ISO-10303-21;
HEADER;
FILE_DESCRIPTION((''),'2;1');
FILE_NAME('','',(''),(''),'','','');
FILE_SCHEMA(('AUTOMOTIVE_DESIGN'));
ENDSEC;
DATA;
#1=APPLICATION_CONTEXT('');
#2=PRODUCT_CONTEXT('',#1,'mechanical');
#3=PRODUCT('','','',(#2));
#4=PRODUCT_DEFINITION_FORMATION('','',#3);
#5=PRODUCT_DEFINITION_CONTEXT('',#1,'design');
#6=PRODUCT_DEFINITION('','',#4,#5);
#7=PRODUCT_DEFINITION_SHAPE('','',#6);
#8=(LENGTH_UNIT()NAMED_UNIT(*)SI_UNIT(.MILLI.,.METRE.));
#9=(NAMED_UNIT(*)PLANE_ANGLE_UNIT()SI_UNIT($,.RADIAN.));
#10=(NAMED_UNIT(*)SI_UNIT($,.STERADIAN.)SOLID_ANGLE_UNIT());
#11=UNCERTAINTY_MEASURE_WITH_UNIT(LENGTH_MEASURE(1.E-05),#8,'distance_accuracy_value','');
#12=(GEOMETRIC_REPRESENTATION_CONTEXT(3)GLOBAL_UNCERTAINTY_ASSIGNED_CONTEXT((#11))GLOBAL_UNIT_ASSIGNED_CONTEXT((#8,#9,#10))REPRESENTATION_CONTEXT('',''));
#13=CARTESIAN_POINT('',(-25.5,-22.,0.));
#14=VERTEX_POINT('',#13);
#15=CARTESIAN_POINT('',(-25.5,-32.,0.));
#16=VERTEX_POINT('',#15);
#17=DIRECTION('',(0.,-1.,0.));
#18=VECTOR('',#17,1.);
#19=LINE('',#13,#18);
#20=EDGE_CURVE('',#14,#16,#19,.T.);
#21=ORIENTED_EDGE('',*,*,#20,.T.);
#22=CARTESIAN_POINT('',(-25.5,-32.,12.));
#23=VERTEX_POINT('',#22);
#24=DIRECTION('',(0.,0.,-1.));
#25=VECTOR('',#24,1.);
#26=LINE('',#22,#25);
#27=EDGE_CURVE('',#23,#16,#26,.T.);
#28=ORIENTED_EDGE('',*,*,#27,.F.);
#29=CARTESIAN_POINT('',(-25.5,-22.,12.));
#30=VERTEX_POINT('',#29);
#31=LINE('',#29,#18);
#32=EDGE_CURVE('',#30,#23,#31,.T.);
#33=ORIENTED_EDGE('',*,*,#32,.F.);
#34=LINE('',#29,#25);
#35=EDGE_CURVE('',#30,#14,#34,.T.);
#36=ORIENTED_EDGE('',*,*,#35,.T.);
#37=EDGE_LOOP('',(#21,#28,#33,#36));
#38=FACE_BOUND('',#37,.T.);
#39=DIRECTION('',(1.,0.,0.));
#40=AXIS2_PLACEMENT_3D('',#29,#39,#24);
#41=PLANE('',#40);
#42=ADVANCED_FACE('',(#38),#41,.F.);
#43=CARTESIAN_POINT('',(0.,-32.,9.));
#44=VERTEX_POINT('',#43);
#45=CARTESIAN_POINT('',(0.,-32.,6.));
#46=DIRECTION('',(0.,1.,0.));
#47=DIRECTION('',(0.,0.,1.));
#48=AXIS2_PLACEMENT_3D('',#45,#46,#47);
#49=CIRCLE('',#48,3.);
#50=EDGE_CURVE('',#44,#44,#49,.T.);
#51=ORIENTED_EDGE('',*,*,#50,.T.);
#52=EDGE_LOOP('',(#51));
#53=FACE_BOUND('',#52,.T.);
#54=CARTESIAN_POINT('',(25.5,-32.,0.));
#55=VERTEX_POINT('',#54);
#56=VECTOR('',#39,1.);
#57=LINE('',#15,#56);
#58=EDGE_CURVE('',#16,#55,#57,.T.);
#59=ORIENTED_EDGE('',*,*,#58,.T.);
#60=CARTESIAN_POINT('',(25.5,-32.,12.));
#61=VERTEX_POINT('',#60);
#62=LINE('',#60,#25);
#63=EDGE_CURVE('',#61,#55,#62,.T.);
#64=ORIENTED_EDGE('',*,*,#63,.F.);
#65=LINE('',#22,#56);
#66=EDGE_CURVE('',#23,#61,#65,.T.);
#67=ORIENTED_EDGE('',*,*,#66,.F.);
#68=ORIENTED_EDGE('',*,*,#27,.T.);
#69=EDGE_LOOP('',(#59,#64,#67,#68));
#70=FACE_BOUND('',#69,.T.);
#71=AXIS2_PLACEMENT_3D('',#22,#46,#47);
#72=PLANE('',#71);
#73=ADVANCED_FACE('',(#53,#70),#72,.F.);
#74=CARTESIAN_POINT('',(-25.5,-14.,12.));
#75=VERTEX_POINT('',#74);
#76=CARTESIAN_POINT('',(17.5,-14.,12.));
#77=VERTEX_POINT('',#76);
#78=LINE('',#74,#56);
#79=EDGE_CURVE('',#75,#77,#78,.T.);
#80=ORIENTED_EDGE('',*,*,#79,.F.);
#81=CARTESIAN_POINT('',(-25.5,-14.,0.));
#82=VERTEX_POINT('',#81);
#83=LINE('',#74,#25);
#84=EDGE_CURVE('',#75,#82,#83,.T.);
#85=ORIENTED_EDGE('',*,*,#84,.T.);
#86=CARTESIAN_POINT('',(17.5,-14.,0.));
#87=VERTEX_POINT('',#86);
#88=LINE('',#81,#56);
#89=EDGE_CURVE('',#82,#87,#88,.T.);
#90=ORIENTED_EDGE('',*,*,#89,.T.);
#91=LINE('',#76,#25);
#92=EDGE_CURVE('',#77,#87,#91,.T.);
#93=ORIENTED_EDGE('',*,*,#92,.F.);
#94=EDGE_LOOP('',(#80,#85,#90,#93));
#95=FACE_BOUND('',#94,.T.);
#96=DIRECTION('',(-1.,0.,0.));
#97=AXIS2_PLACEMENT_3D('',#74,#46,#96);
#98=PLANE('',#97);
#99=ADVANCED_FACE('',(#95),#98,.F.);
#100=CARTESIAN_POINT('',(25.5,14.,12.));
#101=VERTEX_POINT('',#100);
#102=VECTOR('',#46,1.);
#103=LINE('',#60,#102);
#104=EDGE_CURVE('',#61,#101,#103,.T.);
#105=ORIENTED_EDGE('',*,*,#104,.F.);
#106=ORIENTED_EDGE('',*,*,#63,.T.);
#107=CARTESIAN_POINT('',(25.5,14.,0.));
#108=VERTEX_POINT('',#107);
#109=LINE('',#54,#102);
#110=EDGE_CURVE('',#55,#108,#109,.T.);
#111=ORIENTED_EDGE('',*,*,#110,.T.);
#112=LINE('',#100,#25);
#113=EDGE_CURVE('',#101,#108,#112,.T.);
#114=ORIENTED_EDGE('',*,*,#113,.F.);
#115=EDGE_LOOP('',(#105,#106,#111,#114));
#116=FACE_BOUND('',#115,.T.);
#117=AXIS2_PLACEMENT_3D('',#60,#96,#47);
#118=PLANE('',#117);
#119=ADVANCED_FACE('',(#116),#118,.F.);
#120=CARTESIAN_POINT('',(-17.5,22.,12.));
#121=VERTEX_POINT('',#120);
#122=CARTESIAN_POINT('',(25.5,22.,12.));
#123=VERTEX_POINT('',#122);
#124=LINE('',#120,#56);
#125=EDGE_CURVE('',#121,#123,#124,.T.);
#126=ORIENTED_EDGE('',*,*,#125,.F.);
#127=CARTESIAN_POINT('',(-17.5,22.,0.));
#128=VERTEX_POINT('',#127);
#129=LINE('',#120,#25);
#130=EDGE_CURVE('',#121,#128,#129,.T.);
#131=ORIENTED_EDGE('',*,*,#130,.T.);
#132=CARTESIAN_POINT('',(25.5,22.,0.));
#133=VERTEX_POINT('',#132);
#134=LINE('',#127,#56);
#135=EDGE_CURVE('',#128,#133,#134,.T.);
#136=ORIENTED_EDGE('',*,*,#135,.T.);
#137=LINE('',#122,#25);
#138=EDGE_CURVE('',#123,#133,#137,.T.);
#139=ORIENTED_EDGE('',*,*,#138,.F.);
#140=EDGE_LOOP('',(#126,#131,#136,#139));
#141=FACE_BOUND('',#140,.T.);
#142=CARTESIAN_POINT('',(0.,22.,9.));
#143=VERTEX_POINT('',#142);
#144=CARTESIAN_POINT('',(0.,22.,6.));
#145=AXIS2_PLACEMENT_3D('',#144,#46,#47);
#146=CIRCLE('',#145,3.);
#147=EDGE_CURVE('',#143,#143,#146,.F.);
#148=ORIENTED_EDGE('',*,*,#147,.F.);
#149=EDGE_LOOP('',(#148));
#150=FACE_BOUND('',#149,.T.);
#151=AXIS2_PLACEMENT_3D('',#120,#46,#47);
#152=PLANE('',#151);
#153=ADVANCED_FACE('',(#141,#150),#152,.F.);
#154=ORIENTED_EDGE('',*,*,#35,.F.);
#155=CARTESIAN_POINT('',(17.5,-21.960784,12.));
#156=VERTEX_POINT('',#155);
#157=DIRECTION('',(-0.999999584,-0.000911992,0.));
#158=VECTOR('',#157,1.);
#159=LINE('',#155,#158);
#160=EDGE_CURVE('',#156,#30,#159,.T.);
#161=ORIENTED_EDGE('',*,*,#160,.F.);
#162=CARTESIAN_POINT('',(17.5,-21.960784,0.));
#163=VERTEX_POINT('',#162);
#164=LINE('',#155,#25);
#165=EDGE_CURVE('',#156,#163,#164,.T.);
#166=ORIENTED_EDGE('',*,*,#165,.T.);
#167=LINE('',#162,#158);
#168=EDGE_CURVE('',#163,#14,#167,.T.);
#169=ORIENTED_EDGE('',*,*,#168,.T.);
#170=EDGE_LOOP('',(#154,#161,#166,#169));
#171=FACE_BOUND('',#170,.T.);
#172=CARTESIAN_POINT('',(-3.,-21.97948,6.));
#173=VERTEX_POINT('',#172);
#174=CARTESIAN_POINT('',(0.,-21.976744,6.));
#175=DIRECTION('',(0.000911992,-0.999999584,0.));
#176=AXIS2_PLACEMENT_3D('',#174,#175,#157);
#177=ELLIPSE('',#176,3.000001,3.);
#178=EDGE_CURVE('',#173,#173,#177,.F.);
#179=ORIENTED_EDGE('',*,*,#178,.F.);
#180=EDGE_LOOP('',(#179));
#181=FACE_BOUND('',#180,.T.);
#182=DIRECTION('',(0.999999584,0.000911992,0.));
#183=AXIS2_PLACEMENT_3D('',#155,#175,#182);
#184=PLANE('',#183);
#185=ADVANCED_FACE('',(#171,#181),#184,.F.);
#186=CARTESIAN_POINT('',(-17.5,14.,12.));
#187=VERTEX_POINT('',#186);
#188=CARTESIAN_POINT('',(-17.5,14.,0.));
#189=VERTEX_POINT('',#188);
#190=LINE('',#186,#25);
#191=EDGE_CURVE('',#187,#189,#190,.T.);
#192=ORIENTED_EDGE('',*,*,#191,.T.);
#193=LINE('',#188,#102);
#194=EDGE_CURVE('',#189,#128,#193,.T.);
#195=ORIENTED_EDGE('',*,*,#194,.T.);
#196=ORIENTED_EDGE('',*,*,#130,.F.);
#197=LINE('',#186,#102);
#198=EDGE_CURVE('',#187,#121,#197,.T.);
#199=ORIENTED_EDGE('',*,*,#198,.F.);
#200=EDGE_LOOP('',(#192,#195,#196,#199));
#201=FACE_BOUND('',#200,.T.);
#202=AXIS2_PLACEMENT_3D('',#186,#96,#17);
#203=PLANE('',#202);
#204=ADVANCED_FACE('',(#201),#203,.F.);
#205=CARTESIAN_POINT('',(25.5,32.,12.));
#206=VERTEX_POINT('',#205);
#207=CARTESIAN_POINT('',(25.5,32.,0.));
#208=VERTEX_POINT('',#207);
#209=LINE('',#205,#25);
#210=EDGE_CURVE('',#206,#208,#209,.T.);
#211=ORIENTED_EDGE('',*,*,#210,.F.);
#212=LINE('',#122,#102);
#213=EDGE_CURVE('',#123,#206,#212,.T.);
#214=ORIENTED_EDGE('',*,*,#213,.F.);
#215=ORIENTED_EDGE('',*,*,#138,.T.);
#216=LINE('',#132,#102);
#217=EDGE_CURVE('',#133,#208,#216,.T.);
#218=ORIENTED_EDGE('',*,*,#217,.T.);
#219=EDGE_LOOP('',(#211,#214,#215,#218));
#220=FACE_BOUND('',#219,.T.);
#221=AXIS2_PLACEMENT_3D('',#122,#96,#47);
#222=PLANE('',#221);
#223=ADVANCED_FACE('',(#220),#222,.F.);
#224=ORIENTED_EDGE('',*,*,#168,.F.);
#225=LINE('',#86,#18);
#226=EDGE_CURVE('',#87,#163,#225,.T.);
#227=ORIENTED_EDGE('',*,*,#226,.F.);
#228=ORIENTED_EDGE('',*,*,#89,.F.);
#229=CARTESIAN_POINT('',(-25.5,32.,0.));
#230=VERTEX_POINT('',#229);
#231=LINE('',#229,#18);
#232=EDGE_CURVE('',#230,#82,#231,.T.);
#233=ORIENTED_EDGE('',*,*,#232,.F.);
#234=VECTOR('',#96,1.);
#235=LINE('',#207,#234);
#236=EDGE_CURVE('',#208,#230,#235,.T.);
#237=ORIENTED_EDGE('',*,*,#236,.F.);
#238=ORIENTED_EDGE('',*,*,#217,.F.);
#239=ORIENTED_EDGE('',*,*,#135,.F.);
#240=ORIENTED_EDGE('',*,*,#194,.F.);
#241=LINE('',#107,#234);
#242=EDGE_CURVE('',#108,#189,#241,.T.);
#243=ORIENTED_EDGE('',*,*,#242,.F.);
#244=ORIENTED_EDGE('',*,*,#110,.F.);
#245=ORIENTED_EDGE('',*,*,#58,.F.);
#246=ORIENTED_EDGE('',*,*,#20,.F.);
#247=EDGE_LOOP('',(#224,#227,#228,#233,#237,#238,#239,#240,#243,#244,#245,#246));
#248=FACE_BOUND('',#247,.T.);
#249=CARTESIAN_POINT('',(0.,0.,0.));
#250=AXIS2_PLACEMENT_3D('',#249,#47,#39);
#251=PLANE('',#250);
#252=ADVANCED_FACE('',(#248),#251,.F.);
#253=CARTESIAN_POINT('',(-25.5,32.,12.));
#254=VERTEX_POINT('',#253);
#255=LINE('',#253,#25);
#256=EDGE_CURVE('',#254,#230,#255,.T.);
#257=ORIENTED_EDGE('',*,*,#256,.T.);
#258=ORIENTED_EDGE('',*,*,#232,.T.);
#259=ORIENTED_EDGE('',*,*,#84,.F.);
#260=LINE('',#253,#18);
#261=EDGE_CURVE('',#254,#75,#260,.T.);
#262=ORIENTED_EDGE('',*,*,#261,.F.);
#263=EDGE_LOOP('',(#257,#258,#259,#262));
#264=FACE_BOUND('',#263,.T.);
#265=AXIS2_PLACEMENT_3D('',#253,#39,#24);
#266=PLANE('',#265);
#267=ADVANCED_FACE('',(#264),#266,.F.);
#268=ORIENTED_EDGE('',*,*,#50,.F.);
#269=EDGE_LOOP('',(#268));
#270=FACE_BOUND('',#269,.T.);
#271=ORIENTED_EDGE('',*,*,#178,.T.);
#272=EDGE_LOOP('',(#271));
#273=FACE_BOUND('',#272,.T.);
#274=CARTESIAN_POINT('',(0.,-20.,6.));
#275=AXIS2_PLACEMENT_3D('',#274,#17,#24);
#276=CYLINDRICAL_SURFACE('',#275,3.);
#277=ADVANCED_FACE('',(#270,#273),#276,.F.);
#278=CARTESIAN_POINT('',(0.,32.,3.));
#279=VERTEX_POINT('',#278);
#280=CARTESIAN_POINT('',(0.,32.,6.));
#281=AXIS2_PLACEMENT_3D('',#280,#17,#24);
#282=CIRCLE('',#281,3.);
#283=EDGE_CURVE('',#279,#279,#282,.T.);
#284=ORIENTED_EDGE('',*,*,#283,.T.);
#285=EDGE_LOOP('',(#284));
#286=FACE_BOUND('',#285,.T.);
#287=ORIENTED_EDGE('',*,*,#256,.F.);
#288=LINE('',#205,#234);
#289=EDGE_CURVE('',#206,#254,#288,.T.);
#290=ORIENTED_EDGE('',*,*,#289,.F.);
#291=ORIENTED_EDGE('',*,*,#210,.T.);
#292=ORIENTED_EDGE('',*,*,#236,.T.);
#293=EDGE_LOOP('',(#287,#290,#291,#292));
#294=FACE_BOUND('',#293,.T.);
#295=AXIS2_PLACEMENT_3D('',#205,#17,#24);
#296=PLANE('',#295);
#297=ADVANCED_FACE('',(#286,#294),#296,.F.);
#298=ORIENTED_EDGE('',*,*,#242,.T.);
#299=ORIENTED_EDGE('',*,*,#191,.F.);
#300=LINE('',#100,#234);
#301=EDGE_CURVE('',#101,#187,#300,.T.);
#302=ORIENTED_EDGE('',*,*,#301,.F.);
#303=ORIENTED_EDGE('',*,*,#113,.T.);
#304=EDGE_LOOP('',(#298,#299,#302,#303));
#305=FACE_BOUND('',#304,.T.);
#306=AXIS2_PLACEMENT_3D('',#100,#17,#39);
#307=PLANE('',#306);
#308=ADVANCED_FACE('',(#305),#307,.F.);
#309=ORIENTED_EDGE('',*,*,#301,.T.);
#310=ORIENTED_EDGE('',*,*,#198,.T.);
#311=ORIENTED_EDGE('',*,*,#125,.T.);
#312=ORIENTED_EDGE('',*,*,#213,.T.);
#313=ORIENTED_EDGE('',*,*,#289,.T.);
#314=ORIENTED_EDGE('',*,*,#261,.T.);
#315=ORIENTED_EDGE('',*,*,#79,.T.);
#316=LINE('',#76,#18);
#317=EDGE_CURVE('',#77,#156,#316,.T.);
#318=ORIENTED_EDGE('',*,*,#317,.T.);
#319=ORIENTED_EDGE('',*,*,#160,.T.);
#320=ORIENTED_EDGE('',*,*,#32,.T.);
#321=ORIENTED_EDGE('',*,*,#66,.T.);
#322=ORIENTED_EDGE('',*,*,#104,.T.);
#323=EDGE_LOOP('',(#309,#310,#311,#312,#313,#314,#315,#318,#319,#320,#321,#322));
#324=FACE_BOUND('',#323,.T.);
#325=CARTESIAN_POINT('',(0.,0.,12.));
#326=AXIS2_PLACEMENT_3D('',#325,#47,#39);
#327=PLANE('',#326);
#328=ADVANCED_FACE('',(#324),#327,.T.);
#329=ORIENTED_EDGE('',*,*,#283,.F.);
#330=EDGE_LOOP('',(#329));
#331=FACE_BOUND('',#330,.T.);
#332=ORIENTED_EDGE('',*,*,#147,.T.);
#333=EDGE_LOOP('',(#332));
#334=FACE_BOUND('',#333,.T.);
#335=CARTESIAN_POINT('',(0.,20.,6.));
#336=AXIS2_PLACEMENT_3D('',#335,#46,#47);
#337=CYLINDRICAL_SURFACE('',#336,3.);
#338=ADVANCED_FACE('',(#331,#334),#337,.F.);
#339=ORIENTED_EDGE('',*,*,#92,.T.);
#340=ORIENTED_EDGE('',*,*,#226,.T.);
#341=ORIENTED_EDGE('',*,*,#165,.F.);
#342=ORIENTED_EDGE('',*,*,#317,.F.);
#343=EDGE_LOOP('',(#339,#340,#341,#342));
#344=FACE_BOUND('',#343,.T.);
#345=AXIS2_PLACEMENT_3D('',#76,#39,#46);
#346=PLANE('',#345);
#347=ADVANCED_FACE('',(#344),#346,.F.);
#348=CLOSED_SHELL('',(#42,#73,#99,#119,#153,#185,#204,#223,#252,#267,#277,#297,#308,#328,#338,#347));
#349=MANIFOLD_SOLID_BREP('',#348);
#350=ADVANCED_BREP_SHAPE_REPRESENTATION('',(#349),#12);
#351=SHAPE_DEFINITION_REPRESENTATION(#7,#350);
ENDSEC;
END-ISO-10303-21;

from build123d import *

# Parameters (mm, degrees)
DODANIE_WYCI_GNI_CIE1_DEPTH = 12
WYTNIJ_WYCI_GNI_CIE1_START  = 32
SZKIC2_R                    = 3
WYTNIJ_WYCI_GNI_CIE1_DEPTH  = 12
WYTNIJ_WYCI_GNI_CIE2_START  = -20
SZKIC2_2_R                  = 3
WYTNIJ_WYCI_GNI_CIE2_DEPTH  = 12


with BuildPart() as part:
    # Szkic1 → Dodanie-wyciągnięcie1 (new body)
    with BuildSketch(Plane.XY):
        Polygon((-25.5, -22), (-25.5, -32), (25.5, -32), (25.5, 14), (-17.5, 14), (-17.5, 22), (25.5, 22), (25.5, 32), (-25.5, 32), (-25.5, -14), (17.5, -14), (17.5, -21.960784314), align=None)
    extrude(amount=DODANIE_WYCI_GNI_CIE1_DEPTH)

    # Szkic2 → Wytnij-wyciągnięcie1 (cut)
    with BuildSketch(Plane(origin=(0, 0, 0), x_dir=(1, 0, 0), z_dir=(0, 1, 0)).offset(WYTNIJ_WYCI_GNI_CIE1_START)):
        with Locations(Location((0, -6, 0), (0, 0, 270))):
            Circle(SZKIC2_R)
    extrude(amount=-WYTNIJ_WYCI_GNI_CIE1_DEPTH, mode=Mode.SUBTRACT)

    # Szkic2<2> → Wytnij-wyciągnięcie2 (cut)
    with BuildSketch(Plane(origin=(0, 0, 0), x_dir=(1, 0, 0), z_dir=(0, 1, 0)).offset(WYTNIJ_WYCI_GNI_CIE2_START)):
        with Locations(Location((0, -6, 0), (0, 0, 270))):
            Circle(SZKIC2_2_R)
    extrude(amount=-WYTNIJ_WYCI_GNI_CIE2_DEPTH, mode=Mode.SUBTRACT)


solid = part.part
